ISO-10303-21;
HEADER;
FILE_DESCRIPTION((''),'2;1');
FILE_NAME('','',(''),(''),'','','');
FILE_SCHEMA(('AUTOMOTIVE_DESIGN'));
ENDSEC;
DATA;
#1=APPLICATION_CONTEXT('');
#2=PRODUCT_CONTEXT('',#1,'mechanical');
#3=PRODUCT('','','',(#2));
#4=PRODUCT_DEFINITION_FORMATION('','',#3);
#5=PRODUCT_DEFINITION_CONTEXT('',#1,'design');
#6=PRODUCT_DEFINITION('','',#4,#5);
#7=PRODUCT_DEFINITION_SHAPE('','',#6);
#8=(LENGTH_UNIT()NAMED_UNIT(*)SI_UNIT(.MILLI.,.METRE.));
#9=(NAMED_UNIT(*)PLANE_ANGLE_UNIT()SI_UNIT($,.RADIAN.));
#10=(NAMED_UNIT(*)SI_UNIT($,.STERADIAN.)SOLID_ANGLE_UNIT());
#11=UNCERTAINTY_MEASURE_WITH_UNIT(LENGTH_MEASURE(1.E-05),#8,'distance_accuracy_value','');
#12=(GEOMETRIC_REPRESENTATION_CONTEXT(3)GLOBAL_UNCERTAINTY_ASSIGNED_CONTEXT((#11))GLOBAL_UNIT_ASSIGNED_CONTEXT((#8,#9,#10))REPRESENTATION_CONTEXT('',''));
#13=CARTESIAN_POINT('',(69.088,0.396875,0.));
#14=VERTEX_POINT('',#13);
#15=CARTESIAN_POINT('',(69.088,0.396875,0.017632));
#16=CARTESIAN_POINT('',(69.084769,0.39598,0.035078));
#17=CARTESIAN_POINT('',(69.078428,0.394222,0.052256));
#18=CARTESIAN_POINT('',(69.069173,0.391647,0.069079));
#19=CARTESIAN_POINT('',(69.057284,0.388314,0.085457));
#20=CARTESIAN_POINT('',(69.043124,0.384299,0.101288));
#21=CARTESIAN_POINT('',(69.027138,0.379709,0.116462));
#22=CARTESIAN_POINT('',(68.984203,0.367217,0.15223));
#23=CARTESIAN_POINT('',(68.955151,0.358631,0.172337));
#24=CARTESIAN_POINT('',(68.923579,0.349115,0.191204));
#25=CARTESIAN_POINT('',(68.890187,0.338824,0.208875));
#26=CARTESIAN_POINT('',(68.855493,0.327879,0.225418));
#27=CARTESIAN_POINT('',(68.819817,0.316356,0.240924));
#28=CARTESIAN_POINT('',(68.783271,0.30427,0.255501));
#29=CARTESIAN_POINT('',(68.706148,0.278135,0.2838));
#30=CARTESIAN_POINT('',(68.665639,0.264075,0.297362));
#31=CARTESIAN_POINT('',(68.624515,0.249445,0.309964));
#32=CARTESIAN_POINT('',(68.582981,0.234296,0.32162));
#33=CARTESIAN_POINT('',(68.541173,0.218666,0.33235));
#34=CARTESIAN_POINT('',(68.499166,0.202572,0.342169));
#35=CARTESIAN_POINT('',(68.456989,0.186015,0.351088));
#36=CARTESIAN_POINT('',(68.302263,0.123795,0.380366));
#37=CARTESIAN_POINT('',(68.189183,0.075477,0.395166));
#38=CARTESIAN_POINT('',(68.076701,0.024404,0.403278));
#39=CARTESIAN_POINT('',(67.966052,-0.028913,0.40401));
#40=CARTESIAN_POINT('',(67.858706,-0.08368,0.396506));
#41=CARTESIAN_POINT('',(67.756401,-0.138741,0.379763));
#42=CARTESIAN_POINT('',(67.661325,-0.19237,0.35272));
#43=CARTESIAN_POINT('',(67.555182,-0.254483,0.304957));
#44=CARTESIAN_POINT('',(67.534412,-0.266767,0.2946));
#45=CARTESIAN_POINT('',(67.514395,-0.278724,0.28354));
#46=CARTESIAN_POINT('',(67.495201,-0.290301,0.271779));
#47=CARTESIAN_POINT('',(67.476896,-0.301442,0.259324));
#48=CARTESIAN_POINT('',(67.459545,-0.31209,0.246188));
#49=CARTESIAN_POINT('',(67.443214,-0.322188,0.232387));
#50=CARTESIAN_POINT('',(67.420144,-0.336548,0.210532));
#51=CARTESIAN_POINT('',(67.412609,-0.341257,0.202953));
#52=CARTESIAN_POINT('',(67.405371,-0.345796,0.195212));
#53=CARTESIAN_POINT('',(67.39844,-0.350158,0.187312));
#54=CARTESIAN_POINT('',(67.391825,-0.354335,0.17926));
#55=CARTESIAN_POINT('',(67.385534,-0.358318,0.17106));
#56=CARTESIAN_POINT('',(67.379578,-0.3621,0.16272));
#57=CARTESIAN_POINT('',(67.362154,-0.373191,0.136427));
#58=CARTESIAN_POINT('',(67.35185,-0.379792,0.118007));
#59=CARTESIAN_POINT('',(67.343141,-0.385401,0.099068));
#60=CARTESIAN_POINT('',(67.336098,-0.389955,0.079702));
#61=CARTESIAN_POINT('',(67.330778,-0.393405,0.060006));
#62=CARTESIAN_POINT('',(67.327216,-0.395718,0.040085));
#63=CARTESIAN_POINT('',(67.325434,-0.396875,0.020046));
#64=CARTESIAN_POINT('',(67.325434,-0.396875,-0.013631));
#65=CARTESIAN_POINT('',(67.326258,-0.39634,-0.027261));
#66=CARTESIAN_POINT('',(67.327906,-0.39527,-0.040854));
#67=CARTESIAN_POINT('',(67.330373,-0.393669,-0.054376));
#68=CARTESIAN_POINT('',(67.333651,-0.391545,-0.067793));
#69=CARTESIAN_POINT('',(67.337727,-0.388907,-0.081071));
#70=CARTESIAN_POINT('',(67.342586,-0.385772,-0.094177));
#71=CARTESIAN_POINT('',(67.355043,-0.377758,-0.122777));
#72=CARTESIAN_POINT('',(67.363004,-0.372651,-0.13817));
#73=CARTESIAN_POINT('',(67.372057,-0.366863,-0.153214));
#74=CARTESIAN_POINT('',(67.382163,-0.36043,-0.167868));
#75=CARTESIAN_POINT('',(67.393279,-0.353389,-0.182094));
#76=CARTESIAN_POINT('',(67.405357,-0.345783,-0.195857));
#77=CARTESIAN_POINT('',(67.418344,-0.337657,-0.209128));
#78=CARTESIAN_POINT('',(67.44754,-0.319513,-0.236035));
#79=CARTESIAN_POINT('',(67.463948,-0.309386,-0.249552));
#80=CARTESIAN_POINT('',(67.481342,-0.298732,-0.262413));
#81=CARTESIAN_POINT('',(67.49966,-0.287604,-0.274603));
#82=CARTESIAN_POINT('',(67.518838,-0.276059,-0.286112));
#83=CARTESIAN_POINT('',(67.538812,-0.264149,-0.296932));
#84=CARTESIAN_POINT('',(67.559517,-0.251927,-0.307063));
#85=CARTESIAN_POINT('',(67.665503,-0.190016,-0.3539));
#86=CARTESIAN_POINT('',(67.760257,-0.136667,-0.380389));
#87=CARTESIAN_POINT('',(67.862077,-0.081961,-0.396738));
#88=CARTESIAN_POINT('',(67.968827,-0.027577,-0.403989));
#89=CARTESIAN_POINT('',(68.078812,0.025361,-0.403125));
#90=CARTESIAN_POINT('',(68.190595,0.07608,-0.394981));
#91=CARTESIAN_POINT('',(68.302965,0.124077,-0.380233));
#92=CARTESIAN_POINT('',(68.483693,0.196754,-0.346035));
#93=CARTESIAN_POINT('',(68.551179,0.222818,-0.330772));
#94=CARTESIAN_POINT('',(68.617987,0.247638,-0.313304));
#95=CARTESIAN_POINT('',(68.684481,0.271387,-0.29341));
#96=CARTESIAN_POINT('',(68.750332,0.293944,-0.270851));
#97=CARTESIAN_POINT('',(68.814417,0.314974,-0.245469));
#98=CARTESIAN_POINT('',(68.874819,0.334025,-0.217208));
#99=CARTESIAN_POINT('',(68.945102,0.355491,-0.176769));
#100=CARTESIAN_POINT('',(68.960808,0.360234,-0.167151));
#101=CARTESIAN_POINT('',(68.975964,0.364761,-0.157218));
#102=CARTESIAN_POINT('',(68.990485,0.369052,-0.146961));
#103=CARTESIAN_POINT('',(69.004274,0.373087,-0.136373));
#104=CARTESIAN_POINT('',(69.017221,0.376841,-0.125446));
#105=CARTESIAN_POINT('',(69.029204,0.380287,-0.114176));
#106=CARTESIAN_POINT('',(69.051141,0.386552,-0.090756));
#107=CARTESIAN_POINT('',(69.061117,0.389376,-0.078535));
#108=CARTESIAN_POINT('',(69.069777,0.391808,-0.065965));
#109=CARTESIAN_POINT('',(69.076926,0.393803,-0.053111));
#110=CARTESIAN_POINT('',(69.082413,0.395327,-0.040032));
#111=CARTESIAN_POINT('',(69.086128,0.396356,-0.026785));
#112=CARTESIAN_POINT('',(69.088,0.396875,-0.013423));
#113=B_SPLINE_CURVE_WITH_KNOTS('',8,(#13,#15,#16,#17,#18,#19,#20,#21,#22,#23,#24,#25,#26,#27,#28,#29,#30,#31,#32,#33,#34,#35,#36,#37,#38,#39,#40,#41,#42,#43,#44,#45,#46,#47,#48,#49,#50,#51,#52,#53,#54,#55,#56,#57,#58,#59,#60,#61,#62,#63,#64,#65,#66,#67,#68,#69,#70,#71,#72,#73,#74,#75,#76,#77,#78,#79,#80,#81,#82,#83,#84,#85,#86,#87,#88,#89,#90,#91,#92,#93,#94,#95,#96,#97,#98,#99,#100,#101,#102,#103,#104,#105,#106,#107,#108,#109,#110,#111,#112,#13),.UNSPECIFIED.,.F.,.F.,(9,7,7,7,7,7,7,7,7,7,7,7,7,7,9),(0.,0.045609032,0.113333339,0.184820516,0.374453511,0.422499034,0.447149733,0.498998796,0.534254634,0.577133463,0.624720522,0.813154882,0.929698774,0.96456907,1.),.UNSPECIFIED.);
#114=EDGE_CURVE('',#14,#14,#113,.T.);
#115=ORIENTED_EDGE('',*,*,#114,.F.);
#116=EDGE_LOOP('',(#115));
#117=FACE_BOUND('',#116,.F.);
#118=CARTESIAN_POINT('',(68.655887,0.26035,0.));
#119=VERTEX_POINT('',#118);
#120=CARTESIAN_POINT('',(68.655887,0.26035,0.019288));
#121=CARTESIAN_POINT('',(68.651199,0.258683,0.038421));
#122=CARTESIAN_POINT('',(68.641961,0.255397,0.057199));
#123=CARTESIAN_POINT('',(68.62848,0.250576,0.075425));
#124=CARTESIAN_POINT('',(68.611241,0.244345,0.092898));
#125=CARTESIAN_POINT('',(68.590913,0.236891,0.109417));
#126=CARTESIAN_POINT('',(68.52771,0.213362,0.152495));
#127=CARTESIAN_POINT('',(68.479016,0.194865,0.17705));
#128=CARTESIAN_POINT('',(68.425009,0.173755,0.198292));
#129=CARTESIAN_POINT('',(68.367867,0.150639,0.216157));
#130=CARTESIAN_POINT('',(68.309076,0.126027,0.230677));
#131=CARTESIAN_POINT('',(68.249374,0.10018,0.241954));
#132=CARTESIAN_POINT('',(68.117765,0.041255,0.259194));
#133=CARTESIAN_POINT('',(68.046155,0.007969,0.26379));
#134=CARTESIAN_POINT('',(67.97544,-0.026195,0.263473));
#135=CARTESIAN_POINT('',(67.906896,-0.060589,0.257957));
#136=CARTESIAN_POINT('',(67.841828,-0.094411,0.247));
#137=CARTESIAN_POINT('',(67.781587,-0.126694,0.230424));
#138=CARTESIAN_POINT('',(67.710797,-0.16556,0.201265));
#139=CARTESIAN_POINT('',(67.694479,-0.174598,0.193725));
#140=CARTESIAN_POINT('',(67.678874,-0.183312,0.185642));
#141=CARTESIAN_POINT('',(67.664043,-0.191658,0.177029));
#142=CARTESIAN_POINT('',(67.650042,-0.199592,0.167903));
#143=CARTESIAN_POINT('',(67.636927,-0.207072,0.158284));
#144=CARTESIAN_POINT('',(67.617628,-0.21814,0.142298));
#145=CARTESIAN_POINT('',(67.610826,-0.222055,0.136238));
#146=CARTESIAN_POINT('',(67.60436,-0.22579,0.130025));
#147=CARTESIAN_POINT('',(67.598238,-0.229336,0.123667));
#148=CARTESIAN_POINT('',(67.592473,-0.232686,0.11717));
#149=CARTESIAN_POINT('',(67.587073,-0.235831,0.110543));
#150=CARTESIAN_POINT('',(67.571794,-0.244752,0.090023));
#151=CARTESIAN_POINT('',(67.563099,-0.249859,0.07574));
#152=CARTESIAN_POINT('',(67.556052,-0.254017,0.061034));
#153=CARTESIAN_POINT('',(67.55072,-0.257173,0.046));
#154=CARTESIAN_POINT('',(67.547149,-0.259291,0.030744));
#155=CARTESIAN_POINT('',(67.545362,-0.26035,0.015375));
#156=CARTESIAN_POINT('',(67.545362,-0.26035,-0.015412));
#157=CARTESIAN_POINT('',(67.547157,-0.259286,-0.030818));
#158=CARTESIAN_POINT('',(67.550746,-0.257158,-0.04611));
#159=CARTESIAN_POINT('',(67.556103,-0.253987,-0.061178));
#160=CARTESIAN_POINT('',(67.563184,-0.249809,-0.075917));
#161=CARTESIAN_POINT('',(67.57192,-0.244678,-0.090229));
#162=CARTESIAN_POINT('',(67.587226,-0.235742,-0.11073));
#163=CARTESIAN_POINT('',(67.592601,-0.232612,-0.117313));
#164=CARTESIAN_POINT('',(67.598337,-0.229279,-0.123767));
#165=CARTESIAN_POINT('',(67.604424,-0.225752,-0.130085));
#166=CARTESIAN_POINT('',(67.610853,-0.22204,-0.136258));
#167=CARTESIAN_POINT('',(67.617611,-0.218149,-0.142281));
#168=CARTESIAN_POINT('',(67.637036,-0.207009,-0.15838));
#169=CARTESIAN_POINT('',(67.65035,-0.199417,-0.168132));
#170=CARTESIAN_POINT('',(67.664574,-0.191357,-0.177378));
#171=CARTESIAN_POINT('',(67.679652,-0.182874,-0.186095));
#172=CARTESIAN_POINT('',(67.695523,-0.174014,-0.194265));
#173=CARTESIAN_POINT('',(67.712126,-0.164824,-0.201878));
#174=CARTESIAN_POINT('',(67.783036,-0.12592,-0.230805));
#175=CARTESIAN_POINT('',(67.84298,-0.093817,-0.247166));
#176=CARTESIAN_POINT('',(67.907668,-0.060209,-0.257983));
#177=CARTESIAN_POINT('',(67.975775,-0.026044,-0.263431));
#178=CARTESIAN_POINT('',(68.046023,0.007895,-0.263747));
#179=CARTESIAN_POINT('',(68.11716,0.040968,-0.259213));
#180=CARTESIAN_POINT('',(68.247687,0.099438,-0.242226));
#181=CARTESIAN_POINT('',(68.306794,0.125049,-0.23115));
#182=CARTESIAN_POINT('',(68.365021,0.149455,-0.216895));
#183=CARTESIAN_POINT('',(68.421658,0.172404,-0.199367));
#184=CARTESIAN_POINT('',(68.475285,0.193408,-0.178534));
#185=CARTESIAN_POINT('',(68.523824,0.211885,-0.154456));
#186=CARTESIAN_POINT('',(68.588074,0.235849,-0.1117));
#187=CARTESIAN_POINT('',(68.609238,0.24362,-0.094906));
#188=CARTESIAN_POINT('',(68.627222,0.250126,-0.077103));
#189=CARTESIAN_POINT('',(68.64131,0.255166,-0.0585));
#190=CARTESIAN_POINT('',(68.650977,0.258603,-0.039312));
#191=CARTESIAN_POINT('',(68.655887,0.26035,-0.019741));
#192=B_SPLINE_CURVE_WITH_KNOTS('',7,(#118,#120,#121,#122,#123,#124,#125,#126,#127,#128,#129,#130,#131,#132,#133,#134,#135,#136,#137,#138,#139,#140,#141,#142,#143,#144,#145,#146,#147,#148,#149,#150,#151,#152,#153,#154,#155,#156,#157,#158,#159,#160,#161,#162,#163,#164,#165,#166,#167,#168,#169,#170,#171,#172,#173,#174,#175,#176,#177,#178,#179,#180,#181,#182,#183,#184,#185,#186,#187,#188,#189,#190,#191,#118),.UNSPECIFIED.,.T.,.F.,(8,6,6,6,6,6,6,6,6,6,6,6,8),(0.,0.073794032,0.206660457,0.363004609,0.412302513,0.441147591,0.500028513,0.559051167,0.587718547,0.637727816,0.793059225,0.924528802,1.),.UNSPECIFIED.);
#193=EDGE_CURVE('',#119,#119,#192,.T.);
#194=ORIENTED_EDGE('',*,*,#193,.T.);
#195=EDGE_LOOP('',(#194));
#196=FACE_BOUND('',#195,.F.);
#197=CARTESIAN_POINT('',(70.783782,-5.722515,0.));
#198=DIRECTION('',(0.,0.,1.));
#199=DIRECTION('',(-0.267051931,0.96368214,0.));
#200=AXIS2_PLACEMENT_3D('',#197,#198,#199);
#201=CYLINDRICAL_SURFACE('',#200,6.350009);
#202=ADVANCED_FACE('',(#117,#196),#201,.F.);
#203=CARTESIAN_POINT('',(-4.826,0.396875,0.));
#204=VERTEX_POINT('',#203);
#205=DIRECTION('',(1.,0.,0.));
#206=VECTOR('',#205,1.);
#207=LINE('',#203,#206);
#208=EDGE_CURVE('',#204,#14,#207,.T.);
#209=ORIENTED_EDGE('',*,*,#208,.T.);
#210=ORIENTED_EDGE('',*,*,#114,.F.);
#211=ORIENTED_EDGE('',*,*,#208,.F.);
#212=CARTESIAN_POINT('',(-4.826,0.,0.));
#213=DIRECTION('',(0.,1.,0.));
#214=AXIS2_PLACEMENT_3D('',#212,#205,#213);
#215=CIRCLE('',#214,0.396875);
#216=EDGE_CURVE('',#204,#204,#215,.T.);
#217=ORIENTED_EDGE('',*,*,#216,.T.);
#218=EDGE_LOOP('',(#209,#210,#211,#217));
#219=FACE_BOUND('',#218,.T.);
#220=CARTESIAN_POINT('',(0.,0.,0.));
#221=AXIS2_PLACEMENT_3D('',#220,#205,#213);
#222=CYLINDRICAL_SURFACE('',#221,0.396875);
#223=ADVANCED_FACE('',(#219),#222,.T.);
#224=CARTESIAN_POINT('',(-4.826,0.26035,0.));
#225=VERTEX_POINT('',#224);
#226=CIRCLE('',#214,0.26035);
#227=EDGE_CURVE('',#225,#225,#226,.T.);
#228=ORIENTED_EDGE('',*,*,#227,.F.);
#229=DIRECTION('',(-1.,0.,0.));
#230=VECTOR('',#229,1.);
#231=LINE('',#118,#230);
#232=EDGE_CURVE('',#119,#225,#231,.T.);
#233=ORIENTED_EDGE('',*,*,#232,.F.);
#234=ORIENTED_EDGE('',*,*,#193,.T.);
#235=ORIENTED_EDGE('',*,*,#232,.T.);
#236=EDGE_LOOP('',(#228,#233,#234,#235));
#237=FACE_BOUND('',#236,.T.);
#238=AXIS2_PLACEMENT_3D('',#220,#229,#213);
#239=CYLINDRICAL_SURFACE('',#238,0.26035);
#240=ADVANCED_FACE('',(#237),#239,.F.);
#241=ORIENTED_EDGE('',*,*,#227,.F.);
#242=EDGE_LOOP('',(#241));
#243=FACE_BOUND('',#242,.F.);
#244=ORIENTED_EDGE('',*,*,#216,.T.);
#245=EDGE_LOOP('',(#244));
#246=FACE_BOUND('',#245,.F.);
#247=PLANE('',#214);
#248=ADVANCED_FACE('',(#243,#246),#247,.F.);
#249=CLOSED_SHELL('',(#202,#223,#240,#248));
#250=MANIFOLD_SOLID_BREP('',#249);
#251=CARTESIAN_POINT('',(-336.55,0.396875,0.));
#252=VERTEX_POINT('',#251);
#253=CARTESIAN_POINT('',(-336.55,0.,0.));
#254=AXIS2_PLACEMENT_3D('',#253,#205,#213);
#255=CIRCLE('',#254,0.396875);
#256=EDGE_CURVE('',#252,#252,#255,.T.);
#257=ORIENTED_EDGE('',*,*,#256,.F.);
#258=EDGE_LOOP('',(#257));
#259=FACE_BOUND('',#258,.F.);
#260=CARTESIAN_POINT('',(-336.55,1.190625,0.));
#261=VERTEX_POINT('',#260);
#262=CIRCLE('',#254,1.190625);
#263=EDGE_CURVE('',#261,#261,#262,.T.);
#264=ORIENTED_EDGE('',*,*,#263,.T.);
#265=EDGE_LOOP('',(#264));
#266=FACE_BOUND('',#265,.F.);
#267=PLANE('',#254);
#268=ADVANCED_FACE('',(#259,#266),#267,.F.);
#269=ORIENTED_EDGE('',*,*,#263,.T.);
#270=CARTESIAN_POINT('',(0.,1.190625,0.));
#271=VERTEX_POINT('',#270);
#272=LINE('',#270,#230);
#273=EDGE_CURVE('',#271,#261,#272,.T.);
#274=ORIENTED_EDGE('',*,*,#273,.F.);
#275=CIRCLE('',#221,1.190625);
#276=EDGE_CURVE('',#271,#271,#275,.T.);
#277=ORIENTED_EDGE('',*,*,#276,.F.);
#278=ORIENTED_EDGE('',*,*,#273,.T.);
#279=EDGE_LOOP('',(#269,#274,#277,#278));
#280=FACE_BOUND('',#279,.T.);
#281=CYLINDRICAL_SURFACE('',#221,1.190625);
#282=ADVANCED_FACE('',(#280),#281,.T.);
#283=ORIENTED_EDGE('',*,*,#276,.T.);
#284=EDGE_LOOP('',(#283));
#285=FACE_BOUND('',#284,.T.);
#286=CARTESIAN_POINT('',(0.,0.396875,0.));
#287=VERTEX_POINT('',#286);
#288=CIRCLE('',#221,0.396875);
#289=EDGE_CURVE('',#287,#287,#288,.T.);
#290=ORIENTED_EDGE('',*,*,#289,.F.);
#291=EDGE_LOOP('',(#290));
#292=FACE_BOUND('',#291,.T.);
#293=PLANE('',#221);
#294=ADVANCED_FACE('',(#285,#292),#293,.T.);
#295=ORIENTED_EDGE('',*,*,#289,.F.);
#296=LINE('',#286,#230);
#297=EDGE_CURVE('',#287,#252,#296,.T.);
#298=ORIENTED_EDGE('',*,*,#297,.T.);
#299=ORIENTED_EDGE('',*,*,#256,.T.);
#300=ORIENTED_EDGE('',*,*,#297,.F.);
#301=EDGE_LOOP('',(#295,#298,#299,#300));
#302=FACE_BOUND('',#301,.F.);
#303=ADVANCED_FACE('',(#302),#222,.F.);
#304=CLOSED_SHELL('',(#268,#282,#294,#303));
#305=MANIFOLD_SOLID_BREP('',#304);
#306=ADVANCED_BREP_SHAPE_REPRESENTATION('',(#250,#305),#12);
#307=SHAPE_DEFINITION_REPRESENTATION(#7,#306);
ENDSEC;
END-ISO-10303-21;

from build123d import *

# Parameters (mm, degrees)
F0_R          = 1.190625
F0_R_2        = 0.396875
F1_DEPTH      = 336.55
F2_R          = 0.396875
F2_R_2        = 0.26035
F3_DEPTH      = 69.088
F3_DEPTH_BACK = 4.826
F5_DEPTH      = 12.7


with BuildPart() as f1:
    # F0 (on Right) → F1 (new body)
    with BuildSketch(Plane.YZ):
        Circle(F0_R)
        Circle(F0_R_2, mode=Mode.SUBTRACT)
    extrude(amount=-F1_DEPTH)


with BuildPart() as f3:
    # F2 (on face) → F3 (new body, two sides)
    with BuildSketch(Plane.YZ) as f3_sk:
        Circle(F2_R)
        Circle(F2_R_2, mode=Mode.SUBTRACT)
    extrude(amount=F3_DEPTH)
    extrude(f3_sk.sketch, amount=-F3_DEPTH_BACK)

    # F4 (on Top) → F5 (cut, symmetric)
    with BuildSketch(Plane.XY):
        with BuildLine():
            Line((69.088, -0.492125), (69.088, 0.396875))
            ThreePointArc((69.088, 0.396875), (68.098456, 0.031756), (67.183, -0.492125))
            Line((67.183, -0.492125), (69.088, -0.492125))
        make_face()
    extrude(amount=F5_DEPTH, both=True, mode=Mode.SUBTRACT)


solid = Compound([f1.part, f3.part])
